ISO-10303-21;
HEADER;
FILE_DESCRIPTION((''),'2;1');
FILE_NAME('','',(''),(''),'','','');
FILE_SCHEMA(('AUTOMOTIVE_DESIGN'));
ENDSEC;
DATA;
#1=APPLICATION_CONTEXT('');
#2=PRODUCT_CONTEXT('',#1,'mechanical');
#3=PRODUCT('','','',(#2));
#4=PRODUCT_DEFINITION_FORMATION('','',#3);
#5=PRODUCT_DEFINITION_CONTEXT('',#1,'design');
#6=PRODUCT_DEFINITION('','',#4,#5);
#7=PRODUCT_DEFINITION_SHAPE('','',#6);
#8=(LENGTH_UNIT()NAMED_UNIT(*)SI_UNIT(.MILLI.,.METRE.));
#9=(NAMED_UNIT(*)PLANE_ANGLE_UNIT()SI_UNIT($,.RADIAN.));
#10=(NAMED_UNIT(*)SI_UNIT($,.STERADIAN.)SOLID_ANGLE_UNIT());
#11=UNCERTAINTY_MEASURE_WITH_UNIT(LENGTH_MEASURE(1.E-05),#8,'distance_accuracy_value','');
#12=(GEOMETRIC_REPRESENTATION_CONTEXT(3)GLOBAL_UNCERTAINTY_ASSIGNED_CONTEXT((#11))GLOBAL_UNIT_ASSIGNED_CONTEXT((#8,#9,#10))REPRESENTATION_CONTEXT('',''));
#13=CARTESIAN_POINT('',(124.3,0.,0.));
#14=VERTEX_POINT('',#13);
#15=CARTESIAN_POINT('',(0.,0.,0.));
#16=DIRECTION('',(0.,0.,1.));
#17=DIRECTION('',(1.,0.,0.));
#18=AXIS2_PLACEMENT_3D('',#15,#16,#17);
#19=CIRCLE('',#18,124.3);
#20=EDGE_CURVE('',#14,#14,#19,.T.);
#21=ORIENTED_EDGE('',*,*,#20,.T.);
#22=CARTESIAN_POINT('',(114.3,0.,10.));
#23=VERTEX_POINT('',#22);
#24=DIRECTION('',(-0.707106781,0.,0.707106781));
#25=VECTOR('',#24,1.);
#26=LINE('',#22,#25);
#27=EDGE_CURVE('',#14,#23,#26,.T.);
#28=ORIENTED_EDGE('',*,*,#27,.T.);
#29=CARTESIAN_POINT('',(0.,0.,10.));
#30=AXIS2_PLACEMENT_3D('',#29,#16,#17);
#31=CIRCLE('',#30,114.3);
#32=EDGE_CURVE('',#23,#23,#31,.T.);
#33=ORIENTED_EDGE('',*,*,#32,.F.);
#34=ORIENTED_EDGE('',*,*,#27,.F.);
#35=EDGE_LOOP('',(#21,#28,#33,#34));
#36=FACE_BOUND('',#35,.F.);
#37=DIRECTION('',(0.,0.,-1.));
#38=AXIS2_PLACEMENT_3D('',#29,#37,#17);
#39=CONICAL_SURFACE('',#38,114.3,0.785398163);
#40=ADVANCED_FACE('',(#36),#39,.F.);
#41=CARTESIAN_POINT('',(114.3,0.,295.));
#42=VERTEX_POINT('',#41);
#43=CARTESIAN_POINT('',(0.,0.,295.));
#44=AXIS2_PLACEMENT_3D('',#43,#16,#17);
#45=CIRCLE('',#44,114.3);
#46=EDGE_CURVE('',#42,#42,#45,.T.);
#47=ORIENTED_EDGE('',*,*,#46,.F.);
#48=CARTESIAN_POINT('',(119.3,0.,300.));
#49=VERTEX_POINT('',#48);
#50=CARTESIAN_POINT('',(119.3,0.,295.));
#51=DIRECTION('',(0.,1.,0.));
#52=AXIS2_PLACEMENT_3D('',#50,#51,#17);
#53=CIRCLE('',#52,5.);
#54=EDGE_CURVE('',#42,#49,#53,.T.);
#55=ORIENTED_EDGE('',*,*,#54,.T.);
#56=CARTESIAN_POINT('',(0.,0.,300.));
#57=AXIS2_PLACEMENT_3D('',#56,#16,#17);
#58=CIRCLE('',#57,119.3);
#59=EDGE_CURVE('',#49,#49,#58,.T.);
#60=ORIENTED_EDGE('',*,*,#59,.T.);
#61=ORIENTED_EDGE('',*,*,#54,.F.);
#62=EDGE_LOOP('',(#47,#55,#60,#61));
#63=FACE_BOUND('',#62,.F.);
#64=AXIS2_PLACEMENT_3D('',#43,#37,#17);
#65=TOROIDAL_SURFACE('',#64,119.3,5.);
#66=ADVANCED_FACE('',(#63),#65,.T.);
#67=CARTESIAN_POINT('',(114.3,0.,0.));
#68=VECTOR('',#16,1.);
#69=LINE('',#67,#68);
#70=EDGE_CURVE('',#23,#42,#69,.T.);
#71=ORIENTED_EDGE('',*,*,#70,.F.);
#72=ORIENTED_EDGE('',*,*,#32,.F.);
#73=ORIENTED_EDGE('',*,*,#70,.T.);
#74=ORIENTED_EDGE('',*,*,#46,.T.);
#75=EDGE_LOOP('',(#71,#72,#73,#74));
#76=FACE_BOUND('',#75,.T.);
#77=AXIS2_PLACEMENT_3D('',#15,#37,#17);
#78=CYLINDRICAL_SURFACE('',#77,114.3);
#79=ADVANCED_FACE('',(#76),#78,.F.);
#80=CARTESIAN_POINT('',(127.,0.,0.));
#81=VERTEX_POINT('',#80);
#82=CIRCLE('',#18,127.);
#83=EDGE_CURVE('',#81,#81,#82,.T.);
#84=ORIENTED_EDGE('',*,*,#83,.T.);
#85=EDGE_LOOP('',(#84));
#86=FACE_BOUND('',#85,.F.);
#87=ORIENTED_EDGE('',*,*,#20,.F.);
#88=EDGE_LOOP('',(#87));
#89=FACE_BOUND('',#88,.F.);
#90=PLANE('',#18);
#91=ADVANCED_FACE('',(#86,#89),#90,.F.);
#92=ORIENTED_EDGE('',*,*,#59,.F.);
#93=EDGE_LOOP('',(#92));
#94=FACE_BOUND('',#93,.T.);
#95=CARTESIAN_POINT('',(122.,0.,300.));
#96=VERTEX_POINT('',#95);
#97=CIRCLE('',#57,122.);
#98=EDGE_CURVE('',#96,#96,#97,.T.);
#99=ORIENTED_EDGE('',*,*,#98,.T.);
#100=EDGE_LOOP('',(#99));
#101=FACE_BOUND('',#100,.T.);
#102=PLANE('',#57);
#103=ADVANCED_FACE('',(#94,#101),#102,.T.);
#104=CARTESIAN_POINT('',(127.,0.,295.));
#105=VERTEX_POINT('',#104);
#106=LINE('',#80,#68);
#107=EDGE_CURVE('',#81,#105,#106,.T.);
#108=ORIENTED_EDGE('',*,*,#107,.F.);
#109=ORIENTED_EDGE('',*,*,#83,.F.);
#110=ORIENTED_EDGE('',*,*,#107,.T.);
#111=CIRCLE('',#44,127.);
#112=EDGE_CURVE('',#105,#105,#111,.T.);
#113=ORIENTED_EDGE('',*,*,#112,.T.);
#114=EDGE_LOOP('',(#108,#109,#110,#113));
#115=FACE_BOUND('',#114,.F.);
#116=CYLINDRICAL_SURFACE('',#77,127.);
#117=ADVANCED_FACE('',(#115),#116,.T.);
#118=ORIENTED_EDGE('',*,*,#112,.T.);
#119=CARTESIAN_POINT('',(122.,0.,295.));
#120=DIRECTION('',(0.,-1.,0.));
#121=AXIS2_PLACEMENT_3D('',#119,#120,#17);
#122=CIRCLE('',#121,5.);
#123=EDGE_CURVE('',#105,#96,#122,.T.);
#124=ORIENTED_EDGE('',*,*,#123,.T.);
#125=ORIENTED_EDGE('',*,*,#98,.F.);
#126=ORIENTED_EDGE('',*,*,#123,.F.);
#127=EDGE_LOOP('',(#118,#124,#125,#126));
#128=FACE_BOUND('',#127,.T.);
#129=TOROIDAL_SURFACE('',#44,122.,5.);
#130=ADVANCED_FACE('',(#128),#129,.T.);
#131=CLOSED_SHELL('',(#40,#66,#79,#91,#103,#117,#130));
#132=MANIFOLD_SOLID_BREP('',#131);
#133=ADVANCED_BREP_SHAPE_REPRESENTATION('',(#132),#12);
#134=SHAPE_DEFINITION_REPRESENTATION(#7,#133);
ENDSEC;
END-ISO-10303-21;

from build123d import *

# Parameters (mm, degrees)
F0_R     = 127
F0_R_2   = 114.3
F1_DEPTH = 300
F2_R     = 5
F3_SIZE  = 10


with BuildPart() as f1:
    # F0 (on Top) → F1 (new body)
    with BuildSketch(Plane.XY):
        Circle(F0_R)
        Circle(F0_R_2, mode=Mode.SUBTRACT)
    extrude(amount=F1_DEPTH)

    # F2
    f2_edges = [f1.edges().sort_by_distance(p)[0] for p in [
        (-127, 0, 300),
        (-114.3, 0, 300),
    ]]
    fillet(f2_edges, radius=F2_R)

    # F3
    f3_edges = [f1.edges().sort_by_distance(p)[0] for p in [
        (-114.3, 0, 0),
    ]]
    chamfer(f3_edges, length=F3_SIZE)


solid = f1.part
